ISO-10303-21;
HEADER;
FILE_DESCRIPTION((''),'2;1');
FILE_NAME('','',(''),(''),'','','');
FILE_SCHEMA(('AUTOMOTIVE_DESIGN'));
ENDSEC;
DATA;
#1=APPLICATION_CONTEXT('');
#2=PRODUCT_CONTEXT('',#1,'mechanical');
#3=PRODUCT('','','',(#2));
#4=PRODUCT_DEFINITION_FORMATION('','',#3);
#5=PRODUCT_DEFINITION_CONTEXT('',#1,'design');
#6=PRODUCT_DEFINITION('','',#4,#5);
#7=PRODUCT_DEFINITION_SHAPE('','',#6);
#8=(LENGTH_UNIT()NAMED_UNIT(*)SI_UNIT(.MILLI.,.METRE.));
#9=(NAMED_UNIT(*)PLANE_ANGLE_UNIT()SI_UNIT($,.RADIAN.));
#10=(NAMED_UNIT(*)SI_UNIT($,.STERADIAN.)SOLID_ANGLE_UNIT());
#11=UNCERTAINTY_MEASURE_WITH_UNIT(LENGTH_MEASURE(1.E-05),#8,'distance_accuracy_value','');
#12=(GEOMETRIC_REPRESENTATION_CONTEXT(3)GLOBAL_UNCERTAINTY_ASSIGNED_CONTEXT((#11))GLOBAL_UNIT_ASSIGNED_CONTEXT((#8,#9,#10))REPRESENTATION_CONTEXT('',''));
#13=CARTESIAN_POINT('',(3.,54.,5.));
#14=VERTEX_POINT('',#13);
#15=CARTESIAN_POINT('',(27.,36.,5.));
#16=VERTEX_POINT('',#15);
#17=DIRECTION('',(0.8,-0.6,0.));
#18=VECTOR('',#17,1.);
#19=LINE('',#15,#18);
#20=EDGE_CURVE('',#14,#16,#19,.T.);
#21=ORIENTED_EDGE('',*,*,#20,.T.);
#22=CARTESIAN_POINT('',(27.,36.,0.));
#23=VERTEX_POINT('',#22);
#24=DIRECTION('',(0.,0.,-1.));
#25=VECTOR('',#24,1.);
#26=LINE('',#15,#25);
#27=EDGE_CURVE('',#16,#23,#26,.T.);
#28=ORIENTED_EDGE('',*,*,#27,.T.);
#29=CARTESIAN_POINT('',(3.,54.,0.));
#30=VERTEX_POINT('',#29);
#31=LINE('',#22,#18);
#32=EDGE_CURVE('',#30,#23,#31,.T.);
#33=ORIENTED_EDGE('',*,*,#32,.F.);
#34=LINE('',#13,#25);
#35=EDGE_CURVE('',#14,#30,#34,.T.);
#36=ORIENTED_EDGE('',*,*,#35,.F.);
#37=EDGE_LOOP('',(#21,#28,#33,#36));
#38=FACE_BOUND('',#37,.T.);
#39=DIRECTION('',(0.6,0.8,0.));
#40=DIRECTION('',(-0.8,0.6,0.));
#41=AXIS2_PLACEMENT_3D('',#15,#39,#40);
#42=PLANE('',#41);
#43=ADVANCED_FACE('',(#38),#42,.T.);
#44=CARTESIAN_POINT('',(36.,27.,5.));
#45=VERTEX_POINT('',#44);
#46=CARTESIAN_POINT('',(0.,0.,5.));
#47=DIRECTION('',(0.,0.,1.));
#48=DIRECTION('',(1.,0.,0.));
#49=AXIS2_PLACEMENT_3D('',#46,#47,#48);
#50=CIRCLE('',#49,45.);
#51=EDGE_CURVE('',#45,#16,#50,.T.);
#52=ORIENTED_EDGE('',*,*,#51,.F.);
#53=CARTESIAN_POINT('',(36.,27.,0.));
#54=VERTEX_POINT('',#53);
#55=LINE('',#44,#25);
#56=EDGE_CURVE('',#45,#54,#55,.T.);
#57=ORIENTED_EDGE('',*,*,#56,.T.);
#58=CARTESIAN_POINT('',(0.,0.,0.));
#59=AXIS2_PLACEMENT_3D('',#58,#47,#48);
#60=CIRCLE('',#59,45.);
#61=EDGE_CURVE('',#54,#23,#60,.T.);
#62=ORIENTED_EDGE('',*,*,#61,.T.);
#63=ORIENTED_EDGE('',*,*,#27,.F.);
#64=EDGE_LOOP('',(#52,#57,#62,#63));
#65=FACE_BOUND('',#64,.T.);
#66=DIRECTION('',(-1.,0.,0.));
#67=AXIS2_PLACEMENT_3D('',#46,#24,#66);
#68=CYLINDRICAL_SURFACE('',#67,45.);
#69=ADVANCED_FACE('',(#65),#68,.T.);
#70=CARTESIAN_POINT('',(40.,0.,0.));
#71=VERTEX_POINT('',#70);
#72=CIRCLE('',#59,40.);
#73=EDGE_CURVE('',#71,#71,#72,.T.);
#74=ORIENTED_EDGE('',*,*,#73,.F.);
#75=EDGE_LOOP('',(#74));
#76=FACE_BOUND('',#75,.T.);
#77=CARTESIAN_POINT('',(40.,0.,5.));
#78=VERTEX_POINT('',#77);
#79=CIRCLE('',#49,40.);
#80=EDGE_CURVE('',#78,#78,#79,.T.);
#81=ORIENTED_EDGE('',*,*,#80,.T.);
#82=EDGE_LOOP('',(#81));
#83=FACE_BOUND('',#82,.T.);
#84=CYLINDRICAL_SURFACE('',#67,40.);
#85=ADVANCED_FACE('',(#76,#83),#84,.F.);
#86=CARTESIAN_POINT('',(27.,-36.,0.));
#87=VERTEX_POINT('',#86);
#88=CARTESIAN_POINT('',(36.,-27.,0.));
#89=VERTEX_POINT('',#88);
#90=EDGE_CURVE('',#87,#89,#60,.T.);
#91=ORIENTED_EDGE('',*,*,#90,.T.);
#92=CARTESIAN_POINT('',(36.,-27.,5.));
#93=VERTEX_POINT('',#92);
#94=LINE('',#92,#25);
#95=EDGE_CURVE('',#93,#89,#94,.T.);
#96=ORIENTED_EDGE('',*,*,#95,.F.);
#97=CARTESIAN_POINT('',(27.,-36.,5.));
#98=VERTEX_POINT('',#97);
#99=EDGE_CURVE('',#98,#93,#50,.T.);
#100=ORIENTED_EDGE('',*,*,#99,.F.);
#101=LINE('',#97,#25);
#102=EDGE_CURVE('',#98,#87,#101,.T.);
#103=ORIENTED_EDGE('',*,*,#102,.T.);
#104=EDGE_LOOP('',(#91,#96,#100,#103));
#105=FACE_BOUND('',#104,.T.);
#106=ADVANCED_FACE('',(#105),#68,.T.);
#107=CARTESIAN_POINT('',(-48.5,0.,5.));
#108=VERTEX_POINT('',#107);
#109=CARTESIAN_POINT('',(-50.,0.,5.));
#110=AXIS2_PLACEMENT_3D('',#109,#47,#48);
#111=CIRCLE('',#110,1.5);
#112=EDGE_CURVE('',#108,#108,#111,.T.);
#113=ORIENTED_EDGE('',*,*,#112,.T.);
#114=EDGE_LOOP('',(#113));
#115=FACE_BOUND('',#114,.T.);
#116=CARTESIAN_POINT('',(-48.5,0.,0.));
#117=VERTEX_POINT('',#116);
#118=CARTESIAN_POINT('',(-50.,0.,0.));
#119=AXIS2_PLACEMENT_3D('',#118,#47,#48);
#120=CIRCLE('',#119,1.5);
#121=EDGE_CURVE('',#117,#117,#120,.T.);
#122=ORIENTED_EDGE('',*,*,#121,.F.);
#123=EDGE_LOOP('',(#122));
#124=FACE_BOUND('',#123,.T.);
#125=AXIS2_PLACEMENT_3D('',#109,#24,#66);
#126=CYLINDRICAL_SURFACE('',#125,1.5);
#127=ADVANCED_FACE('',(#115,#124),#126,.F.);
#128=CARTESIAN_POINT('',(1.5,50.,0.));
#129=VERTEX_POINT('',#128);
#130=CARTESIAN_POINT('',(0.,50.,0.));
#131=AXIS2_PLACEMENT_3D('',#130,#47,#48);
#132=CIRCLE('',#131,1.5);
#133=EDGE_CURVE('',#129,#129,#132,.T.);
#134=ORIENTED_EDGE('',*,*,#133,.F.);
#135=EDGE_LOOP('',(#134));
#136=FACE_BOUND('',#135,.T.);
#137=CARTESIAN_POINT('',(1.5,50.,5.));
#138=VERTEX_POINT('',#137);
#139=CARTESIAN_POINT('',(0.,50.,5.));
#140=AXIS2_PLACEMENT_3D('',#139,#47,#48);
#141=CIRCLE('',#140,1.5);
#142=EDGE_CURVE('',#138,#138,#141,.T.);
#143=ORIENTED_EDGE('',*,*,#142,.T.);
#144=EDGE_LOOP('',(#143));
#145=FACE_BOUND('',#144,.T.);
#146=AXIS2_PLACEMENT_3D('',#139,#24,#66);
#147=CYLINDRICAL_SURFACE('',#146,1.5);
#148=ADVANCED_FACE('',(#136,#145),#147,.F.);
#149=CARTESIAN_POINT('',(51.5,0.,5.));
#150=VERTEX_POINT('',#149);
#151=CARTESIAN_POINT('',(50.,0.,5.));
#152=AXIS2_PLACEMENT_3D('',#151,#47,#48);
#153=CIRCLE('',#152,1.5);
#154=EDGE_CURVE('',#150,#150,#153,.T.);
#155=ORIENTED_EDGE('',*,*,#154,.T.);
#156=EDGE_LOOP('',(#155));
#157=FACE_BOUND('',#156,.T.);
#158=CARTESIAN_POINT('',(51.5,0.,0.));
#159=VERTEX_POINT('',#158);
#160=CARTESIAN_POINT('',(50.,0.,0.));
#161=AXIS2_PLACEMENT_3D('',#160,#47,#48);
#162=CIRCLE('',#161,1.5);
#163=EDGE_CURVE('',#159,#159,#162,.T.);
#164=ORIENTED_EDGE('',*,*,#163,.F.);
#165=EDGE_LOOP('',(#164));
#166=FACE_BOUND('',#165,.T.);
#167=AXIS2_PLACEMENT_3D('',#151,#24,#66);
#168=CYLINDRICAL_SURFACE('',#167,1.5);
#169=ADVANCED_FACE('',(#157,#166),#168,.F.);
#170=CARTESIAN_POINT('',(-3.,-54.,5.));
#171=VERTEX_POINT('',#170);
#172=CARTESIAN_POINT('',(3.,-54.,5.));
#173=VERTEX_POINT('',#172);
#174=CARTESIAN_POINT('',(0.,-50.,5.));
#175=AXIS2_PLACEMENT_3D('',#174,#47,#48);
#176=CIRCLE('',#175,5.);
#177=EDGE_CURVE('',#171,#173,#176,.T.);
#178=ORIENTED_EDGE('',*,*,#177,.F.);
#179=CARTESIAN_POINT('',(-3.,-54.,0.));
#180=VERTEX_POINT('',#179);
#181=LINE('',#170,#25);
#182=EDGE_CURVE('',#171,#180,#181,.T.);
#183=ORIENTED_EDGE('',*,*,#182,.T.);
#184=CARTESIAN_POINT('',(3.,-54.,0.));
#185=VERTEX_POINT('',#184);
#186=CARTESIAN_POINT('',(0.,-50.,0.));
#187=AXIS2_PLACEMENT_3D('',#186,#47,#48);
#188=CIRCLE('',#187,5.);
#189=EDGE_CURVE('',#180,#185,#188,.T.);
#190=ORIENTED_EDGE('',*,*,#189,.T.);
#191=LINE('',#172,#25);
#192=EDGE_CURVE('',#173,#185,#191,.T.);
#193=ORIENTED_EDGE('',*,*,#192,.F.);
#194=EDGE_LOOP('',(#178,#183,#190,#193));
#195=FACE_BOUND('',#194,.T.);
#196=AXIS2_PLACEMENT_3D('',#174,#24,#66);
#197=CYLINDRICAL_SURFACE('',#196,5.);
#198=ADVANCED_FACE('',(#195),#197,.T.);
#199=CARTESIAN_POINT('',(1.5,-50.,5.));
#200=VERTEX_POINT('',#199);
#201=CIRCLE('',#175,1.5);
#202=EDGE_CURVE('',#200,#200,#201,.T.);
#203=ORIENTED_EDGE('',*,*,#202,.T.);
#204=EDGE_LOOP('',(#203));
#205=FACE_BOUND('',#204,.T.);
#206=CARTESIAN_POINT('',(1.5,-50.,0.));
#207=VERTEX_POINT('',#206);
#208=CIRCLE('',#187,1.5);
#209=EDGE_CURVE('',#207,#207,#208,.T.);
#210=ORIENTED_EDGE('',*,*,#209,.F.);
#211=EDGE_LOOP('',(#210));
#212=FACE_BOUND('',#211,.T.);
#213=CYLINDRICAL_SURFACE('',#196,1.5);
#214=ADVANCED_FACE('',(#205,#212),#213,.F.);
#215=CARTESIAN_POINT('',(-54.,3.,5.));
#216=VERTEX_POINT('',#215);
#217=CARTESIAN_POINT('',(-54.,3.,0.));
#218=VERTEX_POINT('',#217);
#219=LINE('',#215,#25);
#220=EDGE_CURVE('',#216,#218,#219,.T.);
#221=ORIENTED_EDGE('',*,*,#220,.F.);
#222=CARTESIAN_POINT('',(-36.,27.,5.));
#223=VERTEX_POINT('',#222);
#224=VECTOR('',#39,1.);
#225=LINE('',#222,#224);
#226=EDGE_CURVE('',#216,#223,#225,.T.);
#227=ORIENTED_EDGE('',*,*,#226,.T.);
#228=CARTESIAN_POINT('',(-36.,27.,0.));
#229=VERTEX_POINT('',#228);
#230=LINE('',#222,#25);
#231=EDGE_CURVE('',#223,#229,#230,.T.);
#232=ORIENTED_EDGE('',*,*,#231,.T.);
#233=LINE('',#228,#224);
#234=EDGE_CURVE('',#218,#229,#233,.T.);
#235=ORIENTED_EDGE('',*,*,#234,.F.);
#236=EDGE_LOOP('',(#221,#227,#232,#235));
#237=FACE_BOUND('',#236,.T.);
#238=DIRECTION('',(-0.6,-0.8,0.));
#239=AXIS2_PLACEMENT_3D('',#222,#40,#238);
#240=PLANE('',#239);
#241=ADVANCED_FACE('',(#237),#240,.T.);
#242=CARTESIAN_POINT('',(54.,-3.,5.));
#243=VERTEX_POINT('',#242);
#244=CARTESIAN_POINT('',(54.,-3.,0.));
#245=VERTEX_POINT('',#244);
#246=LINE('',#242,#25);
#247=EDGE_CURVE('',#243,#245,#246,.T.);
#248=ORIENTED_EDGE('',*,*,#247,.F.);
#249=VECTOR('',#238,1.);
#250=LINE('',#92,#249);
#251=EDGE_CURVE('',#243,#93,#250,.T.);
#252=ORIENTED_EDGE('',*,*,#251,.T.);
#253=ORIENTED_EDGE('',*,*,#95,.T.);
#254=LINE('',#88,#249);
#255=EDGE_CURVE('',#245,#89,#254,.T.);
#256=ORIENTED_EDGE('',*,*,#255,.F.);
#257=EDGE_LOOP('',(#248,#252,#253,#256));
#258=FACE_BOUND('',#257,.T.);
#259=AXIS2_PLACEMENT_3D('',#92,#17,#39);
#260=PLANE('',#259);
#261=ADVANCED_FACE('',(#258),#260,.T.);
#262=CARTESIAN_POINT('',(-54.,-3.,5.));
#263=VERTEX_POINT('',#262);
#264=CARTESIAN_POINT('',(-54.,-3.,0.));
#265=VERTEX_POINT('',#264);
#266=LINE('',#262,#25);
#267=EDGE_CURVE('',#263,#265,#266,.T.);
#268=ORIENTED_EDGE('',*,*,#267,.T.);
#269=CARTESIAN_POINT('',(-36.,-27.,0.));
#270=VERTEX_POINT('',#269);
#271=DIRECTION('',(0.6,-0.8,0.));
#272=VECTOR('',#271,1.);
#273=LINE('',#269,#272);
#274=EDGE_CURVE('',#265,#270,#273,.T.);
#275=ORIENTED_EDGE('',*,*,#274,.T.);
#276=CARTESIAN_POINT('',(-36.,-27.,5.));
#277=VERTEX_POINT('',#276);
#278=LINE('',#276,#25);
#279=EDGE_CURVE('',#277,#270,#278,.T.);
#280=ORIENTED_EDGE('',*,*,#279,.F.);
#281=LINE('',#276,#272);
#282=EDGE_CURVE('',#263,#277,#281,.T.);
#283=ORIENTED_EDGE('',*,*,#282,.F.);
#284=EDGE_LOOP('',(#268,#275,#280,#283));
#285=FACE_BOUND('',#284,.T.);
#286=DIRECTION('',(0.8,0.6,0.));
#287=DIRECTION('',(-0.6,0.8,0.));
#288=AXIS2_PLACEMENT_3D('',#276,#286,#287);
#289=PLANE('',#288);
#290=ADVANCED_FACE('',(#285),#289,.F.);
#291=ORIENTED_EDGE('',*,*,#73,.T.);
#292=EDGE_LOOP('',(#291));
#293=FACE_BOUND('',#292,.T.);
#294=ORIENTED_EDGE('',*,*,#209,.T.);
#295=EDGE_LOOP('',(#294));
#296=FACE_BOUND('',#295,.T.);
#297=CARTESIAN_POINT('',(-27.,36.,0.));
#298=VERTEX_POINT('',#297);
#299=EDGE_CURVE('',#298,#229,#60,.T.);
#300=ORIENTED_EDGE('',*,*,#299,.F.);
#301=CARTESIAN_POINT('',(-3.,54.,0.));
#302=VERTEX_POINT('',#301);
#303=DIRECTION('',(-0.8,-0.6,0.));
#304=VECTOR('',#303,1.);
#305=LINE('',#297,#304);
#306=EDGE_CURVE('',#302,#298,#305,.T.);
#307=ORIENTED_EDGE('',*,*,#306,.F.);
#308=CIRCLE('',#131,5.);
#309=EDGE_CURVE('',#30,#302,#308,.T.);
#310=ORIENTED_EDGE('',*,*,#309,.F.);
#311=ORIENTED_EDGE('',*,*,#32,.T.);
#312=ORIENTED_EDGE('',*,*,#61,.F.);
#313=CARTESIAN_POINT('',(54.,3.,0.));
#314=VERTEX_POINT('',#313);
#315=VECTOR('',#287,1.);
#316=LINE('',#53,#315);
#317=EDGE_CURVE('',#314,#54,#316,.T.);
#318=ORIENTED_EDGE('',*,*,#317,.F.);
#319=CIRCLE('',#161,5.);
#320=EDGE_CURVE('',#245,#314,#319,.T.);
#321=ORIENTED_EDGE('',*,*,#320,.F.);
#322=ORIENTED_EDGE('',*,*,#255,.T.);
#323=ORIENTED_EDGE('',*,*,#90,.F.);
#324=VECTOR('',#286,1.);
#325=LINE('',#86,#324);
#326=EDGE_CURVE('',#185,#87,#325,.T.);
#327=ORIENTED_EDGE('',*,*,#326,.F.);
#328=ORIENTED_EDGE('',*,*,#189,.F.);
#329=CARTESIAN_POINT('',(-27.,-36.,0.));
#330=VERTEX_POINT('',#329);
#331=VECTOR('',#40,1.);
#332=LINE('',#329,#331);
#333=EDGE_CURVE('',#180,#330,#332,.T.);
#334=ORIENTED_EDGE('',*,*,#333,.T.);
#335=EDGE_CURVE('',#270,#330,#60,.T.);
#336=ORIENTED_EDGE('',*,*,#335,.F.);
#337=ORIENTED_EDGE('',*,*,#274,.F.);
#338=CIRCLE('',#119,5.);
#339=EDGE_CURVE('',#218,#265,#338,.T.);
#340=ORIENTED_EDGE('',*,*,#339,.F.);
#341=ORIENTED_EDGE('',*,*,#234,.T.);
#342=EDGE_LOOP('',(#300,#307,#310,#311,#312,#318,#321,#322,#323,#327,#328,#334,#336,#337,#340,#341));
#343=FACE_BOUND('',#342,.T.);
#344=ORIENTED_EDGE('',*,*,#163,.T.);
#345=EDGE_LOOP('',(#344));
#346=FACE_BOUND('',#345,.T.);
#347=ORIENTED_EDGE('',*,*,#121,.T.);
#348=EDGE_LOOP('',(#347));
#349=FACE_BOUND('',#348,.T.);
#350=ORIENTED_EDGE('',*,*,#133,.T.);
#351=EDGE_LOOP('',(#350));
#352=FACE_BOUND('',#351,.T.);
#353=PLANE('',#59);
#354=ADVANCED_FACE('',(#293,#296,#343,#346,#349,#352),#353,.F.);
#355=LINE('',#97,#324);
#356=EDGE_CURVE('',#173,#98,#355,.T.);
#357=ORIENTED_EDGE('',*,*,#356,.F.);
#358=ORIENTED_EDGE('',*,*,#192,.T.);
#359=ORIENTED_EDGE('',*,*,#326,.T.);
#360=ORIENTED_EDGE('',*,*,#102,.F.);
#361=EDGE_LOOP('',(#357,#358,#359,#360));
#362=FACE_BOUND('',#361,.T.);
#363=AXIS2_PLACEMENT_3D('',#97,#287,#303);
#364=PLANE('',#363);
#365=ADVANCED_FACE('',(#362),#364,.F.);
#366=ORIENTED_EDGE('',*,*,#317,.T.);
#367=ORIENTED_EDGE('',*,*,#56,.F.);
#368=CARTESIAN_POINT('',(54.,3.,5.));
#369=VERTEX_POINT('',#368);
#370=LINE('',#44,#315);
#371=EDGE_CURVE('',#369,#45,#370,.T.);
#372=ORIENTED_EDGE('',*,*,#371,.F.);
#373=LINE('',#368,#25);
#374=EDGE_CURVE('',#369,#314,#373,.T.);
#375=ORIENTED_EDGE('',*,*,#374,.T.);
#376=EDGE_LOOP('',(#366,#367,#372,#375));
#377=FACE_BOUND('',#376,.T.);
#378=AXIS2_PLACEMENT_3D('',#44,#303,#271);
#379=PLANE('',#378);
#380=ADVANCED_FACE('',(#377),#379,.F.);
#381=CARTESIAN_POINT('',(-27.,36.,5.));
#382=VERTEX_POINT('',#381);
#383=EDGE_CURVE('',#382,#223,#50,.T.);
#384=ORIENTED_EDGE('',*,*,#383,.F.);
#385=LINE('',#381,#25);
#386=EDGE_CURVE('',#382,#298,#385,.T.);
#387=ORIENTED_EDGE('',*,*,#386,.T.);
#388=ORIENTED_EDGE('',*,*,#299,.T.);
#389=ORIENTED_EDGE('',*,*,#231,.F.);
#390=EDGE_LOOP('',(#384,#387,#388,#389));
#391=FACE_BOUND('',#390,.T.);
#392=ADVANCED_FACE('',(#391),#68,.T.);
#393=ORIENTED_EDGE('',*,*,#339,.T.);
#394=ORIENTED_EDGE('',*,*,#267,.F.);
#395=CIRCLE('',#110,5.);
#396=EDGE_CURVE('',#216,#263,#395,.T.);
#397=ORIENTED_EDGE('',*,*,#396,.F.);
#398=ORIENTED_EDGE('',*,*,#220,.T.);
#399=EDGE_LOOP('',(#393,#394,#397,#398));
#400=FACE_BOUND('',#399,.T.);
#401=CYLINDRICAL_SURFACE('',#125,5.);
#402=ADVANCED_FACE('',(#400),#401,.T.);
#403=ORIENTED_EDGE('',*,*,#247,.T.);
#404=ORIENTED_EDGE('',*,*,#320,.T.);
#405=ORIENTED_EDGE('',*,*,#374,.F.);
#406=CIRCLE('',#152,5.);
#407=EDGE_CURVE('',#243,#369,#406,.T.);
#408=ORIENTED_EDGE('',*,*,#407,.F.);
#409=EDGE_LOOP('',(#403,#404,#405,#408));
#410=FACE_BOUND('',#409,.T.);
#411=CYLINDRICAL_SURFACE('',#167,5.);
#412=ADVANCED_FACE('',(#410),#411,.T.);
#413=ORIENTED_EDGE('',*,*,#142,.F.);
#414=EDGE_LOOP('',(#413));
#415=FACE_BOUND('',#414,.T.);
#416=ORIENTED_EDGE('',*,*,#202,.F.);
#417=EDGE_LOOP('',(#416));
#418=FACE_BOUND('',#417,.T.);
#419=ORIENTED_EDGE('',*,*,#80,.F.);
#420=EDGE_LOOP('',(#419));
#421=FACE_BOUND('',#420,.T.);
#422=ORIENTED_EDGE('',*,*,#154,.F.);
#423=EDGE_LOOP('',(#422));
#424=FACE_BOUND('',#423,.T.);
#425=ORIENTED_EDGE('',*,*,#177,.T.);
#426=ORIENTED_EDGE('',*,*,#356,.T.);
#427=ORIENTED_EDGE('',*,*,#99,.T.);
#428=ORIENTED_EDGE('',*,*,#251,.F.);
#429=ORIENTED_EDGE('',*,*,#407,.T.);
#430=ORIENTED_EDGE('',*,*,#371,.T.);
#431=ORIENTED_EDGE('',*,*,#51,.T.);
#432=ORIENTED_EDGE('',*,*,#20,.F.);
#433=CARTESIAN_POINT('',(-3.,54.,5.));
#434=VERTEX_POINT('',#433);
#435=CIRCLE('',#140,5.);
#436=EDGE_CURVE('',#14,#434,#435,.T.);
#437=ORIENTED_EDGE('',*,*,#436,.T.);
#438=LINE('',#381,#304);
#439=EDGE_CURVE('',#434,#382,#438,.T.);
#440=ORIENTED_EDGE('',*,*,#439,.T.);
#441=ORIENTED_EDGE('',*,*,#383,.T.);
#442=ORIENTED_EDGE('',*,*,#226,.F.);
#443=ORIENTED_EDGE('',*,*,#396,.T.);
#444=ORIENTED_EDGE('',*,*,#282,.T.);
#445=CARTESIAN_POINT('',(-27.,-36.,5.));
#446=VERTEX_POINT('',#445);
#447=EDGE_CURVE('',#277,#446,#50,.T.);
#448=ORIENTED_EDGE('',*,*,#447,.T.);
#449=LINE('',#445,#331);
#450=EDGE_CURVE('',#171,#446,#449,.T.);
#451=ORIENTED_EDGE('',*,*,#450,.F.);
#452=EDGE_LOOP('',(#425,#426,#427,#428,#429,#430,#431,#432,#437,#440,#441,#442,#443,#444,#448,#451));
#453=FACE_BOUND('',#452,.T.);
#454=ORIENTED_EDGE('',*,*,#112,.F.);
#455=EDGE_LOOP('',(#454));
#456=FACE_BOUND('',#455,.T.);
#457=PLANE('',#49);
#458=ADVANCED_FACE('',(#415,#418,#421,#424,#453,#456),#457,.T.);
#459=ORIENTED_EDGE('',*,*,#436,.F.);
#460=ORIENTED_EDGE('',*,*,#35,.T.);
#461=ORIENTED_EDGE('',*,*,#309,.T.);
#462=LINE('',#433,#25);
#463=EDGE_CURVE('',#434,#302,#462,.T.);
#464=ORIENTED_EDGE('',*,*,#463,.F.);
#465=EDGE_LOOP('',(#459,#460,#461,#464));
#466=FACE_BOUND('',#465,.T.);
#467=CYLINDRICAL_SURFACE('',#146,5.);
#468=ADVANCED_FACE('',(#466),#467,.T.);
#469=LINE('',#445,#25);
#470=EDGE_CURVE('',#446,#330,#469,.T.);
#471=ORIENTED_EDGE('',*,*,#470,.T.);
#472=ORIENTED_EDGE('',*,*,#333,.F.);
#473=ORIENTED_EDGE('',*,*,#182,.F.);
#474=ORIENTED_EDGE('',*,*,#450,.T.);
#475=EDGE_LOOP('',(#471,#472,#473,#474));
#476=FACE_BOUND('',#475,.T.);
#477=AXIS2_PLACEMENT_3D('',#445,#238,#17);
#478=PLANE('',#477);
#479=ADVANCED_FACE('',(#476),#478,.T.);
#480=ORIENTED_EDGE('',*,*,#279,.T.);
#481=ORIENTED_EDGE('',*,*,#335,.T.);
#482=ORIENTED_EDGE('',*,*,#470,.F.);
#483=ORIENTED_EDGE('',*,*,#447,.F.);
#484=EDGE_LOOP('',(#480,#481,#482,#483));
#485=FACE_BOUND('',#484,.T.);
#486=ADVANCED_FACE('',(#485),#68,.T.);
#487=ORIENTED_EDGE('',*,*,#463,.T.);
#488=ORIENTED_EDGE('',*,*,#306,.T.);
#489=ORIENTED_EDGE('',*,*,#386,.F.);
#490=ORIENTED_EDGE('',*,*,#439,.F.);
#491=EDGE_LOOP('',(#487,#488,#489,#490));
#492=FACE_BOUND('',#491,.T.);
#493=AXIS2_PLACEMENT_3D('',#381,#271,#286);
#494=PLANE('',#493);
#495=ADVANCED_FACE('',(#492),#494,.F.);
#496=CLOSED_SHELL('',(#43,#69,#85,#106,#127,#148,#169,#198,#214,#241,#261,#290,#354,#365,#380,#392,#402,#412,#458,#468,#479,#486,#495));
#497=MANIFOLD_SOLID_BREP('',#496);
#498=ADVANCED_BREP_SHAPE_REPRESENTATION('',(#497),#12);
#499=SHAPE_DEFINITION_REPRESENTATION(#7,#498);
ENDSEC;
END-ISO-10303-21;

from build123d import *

# Parameters (mm, degrees)
ESQUISSE1_R        = 1.5
BOSS_EXTRU_2_DEPTH = 5


with BuildPart() as part:
    # Esquisse1 → Boss.-Extru.2 (new body)
    # profile 1 of 10: a face of its own
    with BuildSketch(Plane.XY):
        with BuildLine():
            ThreePointArc((-40, 0), (0, 40), (40, 0))
            Line((40, 0), (45, 0))
            ThreePointArc((45, 0), (42.690748412, 14.230249471), (36, 27))
            ThreePointArc((36, 27), (31.819805153, 31.819805153), (27, 36))
            ThreePointArc((27, 36), (0, 45), (-27, 36))
            ThreePointArc((-27, 36), (-31.819805153, 31.819805153), (-36, 27))
            ThreePointArc((-36, 27), (-42.690748412, 14.230249471), (-45, 0))
            Line((-45, 0), (-40, 0))
        make_face()
    # profile 2 of 10: a face of its own
    with BuildSketch(Plane.XY):
        with BuildLine():
            Line((45, 0), (40, 0))
            ThreePointArc((40, 0), (0, -40), (-40, 0))
            Line((-40, 0), (-45, 0))
            ThreePointArc((-45, 0), (-42.690748412, -14.230249471), (-36, -27))
            ThreePointArc((-36, -27), (-31.819805153, -31.819805153), (-27, -36))
            ThreePointArc((-27, -36), (0, -45), (27, -36))
            ThreePointArc((27, -36), (31.819805153, -31.819805153), (36, -27))
            ThreePointArc((36, -27), (42.690748412, -14.230249471), (45, 0))
        make_face()
    # profile 3 of 10: a face of its own
    with BuildSketch(Plane.XY):
        with BuildLine():
            ThreePointArc((-40, 0), (0, 40), (40, 0))
            Line((40, 0), (45, 0))
            ThreePointArc((45, 0), (42.690748412, 14.230249471), (36, 27))
            ThreePointArc((36, 27), (31.819805153, 31.819805153), (27, 36))
            ThreePointArc((27, 36), (0, 45), (-27, 36))
            ThreePointArc((-27, 36), (-31.819805153, 31.819805153), (-36, 27))
            ThreePointArc((-36, 27), (-42.690748412, 14.230249471), (-45, 0))
            Line((-45, 0), (-40, 0))
        make_face()
    # profile 4 of 10: a face of its own
    with BuildSketch(Plane.XY):
        with BuildLine():
            Line((45, 0), (40, 0))
            ThreePointArc((40, 0), (0, -40), (-40, 0))
            Line((-40, 0), (-45, 0))
            ThreePointArc((-45, 0), (-42.690748412, -14.230249471), (-36, -27))
            ThreePointArc((-36, -27), (-31.819805153, -31.819805153), (-27, -36))
            ThreePointArc((-27, -36), (0, -45), (27, -36))
            ThreePointArc((27, -36), (31.819805153, -31.819805153), (36, -27))
            ThreePointArc((36, -27), (42.690748412, -14.230249471), (45, 0))
        make_face()
    # profile 5 of 10: a face of its own
    with BuildSketch(Plane.XY):
        with BuildLine():
            ThreePointArc((-27, 36), (0, 45), (27, 36))
            Line((27, 36), (3, 54))
            ThreePointArc((3, 54), (0, 55), (-3, 54))
            Line((-3, 54), (-27, 36))
        make_face()
        with Locations((0, 50)):
            Circle(ESQUISSE1_R, mode=Mode.SUBTRACT)
    # profile 6 of 10: a face of its own
    with BuildSketch(Plane.XY):
        with BuildLine():
            Line((48.5, 0), (45, 0))
            ThreePointArc((45, 0), (42.690748412, -14.230249471), (36, -27))
            Line((36, -27), (54, -3))
            ThreePointArc((54, -3), (54.74341649, -1.58113883), (55, 0))
            Line((55, 0), (51.5, 0))
            ThreePointArc((51.5, 0), (50, -1.5), (48.5, 0))
        make_face()
    # profile 7 of 10: a face of its own
    with BuildSketch(Plane.XY):
        with BuildLine():
            ThreePointArc((36, 27), (42.690748412, 14.230249471), (45, 0))
            Line((45, 0), (48.5, 0))
            ThreePointArc((48.5, 0), (50, 1.5), (51.5, 0))
            Line((51.5, 0), (55, 0))
            ThreePointArc((55, 0), (54.74341649, 1.58113883), (54, 3))
            Line((54, 3), (36, 27))
        make_face()
    # profile 8 of 10: a face of its own
    with BuildSketch(Plane.XY):
        with BuildLine():
            Line((3, -54), (27, -36))
            ThreePointArc((27, -36), (0, -45), (-27, -36))
            Line((-27, -36), (-3, -54))
            ThreePointArc((-3, -54), (0, -55), (3, -54))
        make_face()
        with Locations((0, -50)):
            Circle(ESQUISSE1_R, mode=Mode.SUBTRACT)
    # profile 9 of 10: a face of its own
    with BuildSketch(Plane.XY):
        with BuildLine():
            Line((-48.5, 0), (-45, 0))
            ThreePointArc((-45, 0), (-42.690748412, 14.230249471), (-36, 27))
            Line((-36, 27), (-54, 3))
            ThreePointArc((-54, 3), (-54.74341649, 1.58113883), (-55, 0))
            Line((-55, 0), (-51.5, 0))
            ThreePointArc((-51.5, 0), (-50, 1.5), (-48.5, 0))
        make_face()
    # profile 10 of 10: a face of its own
    with BuildSketch(Plane.XY):
        with BuildLine():
            ThreePointArc((-36, -27), (-42.690748412, -14.230249471), (-45, 0))
            Line((-45, 0), (-48.5, 0))
            ThreePointArc((-48.5, 0), (-50, -1.5), (-51.5, 0))
            Line((-51.5, 0), (-55, 0))
            ThreePointArc((-55, 0), (-54.74341649, -1.58113883), (-54, -3))
            Line((-54, -3), (-36, -27))
        make_face()
    extrude(amount=BOSS_EXTRU_2_DEPTH)


solid = part.part
